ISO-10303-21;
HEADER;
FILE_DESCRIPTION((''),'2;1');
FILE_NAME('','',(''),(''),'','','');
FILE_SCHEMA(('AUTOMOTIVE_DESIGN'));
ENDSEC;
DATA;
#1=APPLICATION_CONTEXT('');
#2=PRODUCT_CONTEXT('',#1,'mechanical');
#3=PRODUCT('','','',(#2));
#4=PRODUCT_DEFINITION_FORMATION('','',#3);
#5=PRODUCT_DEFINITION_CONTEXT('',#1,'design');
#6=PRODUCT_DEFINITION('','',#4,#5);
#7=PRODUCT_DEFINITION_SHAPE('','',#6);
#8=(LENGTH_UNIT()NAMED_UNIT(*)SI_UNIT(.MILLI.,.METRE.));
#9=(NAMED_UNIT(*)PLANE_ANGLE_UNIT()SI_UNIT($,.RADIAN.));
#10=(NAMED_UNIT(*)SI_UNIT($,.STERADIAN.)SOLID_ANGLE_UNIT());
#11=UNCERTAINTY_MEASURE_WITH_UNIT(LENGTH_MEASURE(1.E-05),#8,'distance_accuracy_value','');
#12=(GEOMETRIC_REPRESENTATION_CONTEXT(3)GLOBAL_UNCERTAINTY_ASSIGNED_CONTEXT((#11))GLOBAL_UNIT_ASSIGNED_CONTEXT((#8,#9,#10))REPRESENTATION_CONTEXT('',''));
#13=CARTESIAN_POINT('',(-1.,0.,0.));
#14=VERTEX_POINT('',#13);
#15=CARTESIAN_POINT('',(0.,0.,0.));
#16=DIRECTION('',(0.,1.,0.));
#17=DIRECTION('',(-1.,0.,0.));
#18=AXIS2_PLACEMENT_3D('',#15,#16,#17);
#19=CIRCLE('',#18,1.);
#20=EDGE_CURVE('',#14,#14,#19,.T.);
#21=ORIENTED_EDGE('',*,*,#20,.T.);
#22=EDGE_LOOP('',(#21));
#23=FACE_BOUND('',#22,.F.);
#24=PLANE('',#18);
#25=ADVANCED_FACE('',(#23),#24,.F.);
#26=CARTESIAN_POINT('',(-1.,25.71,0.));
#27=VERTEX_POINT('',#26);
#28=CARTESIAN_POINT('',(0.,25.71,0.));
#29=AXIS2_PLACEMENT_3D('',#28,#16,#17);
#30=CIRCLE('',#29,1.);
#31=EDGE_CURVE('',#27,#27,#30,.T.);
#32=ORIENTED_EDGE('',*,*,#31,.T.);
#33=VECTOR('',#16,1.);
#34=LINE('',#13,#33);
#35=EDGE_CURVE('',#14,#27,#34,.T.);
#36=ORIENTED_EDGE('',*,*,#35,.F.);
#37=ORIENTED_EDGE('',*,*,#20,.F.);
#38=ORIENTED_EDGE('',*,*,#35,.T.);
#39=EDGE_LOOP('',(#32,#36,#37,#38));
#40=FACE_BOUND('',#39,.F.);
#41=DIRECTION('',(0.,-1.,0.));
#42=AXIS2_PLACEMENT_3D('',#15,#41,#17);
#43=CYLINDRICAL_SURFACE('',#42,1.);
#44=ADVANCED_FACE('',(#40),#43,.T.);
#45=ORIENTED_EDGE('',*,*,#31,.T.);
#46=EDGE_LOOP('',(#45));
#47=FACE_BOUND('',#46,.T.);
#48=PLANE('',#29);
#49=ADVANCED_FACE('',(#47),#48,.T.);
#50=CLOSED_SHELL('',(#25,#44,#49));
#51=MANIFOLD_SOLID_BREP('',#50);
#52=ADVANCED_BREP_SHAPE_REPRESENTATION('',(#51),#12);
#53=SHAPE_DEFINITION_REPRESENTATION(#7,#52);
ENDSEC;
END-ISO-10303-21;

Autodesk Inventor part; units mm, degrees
ref_plane "YZ Plane" through (0, 0, 0) normal (1, 0, 0) x (0, 1, 0)
ref_plane "XZ Plane" through (0, 0, 0) normal (0, 1, 0) x (-1, 0, 0)
ref_plane "XY Plane" through (0, 0, 0) normal (0, 0, 1) x (1, 0, 0)
sketch "Sketch1" plane through (0, 0, 0) normal (0, 1, 0) x (-1, 0, 0)
  circle A0 centre (0, 0) radius 1
  dimension "d0" = 2
extrude "Extrusion1" add sketch "Sketch1" along normal blind 25.71
ref_plane "Work Plane1" through (0, -30, 0) normal (0, -1, 0) x (1, 0, 0)
properties part number "LOOP2_COLL_PREDEF2"
